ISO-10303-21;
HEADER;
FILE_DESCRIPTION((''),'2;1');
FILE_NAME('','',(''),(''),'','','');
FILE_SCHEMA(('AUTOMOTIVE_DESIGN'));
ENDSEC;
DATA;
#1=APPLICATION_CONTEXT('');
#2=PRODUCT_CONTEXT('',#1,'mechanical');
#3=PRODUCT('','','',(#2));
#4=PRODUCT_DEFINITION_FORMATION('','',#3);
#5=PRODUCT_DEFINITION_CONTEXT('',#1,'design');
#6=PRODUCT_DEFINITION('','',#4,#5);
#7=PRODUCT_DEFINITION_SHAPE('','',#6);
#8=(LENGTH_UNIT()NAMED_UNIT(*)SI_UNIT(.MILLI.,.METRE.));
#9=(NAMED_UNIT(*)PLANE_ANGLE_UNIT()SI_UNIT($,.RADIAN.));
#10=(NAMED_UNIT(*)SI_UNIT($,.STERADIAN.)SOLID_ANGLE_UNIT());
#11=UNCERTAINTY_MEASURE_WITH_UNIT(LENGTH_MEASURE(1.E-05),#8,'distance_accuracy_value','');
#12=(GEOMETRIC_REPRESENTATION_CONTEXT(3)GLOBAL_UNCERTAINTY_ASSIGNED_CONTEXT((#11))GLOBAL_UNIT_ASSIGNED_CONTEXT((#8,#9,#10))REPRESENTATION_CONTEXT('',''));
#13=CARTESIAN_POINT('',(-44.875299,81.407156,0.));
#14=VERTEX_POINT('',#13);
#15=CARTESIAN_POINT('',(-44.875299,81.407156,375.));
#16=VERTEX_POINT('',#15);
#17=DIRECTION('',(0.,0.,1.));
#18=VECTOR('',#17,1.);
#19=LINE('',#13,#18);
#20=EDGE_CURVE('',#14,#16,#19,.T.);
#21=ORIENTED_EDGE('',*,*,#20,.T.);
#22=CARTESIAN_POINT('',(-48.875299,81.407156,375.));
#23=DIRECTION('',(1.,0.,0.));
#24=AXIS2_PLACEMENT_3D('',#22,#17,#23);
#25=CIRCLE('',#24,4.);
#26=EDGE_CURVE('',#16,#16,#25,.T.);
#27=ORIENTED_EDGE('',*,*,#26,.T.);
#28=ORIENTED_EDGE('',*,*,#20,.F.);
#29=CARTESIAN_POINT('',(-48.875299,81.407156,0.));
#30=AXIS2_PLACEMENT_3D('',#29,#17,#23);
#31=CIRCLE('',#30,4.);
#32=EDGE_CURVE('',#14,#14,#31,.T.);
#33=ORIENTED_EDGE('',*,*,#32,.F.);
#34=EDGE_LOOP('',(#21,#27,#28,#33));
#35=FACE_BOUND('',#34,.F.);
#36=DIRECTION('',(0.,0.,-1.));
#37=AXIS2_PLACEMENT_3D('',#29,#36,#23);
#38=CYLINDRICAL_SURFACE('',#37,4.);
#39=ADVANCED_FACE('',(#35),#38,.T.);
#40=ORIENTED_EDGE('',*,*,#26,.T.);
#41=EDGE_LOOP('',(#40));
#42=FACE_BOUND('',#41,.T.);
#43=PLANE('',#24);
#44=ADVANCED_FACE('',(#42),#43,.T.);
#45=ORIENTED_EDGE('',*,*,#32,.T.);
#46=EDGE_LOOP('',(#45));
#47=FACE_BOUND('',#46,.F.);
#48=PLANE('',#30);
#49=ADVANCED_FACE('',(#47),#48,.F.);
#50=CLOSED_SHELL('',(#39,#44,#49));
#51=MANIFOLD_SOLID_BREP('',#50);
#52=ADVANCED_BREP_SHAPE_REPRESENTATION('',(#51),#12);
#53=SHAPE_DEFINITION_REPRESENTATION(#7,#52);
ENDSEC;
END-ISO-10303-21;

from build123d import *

# Parameters (mm, degrees)
ESBO_O1_R                = 4
RESSALTO_EXTRUS_O1_DEPTH = 375


with BuildPart() as part:
    # Esboço1 → Ressalto-extrusão1 (new body)
    with BuildSketch(Plane.XY):
        with Locations((-48.875298619, 81.407156415)):
            Circle(ESBO_O1_R)
    extrude(amount=RESSALTO_EXTRUS_O1_DEPTH)


solid = part.part
